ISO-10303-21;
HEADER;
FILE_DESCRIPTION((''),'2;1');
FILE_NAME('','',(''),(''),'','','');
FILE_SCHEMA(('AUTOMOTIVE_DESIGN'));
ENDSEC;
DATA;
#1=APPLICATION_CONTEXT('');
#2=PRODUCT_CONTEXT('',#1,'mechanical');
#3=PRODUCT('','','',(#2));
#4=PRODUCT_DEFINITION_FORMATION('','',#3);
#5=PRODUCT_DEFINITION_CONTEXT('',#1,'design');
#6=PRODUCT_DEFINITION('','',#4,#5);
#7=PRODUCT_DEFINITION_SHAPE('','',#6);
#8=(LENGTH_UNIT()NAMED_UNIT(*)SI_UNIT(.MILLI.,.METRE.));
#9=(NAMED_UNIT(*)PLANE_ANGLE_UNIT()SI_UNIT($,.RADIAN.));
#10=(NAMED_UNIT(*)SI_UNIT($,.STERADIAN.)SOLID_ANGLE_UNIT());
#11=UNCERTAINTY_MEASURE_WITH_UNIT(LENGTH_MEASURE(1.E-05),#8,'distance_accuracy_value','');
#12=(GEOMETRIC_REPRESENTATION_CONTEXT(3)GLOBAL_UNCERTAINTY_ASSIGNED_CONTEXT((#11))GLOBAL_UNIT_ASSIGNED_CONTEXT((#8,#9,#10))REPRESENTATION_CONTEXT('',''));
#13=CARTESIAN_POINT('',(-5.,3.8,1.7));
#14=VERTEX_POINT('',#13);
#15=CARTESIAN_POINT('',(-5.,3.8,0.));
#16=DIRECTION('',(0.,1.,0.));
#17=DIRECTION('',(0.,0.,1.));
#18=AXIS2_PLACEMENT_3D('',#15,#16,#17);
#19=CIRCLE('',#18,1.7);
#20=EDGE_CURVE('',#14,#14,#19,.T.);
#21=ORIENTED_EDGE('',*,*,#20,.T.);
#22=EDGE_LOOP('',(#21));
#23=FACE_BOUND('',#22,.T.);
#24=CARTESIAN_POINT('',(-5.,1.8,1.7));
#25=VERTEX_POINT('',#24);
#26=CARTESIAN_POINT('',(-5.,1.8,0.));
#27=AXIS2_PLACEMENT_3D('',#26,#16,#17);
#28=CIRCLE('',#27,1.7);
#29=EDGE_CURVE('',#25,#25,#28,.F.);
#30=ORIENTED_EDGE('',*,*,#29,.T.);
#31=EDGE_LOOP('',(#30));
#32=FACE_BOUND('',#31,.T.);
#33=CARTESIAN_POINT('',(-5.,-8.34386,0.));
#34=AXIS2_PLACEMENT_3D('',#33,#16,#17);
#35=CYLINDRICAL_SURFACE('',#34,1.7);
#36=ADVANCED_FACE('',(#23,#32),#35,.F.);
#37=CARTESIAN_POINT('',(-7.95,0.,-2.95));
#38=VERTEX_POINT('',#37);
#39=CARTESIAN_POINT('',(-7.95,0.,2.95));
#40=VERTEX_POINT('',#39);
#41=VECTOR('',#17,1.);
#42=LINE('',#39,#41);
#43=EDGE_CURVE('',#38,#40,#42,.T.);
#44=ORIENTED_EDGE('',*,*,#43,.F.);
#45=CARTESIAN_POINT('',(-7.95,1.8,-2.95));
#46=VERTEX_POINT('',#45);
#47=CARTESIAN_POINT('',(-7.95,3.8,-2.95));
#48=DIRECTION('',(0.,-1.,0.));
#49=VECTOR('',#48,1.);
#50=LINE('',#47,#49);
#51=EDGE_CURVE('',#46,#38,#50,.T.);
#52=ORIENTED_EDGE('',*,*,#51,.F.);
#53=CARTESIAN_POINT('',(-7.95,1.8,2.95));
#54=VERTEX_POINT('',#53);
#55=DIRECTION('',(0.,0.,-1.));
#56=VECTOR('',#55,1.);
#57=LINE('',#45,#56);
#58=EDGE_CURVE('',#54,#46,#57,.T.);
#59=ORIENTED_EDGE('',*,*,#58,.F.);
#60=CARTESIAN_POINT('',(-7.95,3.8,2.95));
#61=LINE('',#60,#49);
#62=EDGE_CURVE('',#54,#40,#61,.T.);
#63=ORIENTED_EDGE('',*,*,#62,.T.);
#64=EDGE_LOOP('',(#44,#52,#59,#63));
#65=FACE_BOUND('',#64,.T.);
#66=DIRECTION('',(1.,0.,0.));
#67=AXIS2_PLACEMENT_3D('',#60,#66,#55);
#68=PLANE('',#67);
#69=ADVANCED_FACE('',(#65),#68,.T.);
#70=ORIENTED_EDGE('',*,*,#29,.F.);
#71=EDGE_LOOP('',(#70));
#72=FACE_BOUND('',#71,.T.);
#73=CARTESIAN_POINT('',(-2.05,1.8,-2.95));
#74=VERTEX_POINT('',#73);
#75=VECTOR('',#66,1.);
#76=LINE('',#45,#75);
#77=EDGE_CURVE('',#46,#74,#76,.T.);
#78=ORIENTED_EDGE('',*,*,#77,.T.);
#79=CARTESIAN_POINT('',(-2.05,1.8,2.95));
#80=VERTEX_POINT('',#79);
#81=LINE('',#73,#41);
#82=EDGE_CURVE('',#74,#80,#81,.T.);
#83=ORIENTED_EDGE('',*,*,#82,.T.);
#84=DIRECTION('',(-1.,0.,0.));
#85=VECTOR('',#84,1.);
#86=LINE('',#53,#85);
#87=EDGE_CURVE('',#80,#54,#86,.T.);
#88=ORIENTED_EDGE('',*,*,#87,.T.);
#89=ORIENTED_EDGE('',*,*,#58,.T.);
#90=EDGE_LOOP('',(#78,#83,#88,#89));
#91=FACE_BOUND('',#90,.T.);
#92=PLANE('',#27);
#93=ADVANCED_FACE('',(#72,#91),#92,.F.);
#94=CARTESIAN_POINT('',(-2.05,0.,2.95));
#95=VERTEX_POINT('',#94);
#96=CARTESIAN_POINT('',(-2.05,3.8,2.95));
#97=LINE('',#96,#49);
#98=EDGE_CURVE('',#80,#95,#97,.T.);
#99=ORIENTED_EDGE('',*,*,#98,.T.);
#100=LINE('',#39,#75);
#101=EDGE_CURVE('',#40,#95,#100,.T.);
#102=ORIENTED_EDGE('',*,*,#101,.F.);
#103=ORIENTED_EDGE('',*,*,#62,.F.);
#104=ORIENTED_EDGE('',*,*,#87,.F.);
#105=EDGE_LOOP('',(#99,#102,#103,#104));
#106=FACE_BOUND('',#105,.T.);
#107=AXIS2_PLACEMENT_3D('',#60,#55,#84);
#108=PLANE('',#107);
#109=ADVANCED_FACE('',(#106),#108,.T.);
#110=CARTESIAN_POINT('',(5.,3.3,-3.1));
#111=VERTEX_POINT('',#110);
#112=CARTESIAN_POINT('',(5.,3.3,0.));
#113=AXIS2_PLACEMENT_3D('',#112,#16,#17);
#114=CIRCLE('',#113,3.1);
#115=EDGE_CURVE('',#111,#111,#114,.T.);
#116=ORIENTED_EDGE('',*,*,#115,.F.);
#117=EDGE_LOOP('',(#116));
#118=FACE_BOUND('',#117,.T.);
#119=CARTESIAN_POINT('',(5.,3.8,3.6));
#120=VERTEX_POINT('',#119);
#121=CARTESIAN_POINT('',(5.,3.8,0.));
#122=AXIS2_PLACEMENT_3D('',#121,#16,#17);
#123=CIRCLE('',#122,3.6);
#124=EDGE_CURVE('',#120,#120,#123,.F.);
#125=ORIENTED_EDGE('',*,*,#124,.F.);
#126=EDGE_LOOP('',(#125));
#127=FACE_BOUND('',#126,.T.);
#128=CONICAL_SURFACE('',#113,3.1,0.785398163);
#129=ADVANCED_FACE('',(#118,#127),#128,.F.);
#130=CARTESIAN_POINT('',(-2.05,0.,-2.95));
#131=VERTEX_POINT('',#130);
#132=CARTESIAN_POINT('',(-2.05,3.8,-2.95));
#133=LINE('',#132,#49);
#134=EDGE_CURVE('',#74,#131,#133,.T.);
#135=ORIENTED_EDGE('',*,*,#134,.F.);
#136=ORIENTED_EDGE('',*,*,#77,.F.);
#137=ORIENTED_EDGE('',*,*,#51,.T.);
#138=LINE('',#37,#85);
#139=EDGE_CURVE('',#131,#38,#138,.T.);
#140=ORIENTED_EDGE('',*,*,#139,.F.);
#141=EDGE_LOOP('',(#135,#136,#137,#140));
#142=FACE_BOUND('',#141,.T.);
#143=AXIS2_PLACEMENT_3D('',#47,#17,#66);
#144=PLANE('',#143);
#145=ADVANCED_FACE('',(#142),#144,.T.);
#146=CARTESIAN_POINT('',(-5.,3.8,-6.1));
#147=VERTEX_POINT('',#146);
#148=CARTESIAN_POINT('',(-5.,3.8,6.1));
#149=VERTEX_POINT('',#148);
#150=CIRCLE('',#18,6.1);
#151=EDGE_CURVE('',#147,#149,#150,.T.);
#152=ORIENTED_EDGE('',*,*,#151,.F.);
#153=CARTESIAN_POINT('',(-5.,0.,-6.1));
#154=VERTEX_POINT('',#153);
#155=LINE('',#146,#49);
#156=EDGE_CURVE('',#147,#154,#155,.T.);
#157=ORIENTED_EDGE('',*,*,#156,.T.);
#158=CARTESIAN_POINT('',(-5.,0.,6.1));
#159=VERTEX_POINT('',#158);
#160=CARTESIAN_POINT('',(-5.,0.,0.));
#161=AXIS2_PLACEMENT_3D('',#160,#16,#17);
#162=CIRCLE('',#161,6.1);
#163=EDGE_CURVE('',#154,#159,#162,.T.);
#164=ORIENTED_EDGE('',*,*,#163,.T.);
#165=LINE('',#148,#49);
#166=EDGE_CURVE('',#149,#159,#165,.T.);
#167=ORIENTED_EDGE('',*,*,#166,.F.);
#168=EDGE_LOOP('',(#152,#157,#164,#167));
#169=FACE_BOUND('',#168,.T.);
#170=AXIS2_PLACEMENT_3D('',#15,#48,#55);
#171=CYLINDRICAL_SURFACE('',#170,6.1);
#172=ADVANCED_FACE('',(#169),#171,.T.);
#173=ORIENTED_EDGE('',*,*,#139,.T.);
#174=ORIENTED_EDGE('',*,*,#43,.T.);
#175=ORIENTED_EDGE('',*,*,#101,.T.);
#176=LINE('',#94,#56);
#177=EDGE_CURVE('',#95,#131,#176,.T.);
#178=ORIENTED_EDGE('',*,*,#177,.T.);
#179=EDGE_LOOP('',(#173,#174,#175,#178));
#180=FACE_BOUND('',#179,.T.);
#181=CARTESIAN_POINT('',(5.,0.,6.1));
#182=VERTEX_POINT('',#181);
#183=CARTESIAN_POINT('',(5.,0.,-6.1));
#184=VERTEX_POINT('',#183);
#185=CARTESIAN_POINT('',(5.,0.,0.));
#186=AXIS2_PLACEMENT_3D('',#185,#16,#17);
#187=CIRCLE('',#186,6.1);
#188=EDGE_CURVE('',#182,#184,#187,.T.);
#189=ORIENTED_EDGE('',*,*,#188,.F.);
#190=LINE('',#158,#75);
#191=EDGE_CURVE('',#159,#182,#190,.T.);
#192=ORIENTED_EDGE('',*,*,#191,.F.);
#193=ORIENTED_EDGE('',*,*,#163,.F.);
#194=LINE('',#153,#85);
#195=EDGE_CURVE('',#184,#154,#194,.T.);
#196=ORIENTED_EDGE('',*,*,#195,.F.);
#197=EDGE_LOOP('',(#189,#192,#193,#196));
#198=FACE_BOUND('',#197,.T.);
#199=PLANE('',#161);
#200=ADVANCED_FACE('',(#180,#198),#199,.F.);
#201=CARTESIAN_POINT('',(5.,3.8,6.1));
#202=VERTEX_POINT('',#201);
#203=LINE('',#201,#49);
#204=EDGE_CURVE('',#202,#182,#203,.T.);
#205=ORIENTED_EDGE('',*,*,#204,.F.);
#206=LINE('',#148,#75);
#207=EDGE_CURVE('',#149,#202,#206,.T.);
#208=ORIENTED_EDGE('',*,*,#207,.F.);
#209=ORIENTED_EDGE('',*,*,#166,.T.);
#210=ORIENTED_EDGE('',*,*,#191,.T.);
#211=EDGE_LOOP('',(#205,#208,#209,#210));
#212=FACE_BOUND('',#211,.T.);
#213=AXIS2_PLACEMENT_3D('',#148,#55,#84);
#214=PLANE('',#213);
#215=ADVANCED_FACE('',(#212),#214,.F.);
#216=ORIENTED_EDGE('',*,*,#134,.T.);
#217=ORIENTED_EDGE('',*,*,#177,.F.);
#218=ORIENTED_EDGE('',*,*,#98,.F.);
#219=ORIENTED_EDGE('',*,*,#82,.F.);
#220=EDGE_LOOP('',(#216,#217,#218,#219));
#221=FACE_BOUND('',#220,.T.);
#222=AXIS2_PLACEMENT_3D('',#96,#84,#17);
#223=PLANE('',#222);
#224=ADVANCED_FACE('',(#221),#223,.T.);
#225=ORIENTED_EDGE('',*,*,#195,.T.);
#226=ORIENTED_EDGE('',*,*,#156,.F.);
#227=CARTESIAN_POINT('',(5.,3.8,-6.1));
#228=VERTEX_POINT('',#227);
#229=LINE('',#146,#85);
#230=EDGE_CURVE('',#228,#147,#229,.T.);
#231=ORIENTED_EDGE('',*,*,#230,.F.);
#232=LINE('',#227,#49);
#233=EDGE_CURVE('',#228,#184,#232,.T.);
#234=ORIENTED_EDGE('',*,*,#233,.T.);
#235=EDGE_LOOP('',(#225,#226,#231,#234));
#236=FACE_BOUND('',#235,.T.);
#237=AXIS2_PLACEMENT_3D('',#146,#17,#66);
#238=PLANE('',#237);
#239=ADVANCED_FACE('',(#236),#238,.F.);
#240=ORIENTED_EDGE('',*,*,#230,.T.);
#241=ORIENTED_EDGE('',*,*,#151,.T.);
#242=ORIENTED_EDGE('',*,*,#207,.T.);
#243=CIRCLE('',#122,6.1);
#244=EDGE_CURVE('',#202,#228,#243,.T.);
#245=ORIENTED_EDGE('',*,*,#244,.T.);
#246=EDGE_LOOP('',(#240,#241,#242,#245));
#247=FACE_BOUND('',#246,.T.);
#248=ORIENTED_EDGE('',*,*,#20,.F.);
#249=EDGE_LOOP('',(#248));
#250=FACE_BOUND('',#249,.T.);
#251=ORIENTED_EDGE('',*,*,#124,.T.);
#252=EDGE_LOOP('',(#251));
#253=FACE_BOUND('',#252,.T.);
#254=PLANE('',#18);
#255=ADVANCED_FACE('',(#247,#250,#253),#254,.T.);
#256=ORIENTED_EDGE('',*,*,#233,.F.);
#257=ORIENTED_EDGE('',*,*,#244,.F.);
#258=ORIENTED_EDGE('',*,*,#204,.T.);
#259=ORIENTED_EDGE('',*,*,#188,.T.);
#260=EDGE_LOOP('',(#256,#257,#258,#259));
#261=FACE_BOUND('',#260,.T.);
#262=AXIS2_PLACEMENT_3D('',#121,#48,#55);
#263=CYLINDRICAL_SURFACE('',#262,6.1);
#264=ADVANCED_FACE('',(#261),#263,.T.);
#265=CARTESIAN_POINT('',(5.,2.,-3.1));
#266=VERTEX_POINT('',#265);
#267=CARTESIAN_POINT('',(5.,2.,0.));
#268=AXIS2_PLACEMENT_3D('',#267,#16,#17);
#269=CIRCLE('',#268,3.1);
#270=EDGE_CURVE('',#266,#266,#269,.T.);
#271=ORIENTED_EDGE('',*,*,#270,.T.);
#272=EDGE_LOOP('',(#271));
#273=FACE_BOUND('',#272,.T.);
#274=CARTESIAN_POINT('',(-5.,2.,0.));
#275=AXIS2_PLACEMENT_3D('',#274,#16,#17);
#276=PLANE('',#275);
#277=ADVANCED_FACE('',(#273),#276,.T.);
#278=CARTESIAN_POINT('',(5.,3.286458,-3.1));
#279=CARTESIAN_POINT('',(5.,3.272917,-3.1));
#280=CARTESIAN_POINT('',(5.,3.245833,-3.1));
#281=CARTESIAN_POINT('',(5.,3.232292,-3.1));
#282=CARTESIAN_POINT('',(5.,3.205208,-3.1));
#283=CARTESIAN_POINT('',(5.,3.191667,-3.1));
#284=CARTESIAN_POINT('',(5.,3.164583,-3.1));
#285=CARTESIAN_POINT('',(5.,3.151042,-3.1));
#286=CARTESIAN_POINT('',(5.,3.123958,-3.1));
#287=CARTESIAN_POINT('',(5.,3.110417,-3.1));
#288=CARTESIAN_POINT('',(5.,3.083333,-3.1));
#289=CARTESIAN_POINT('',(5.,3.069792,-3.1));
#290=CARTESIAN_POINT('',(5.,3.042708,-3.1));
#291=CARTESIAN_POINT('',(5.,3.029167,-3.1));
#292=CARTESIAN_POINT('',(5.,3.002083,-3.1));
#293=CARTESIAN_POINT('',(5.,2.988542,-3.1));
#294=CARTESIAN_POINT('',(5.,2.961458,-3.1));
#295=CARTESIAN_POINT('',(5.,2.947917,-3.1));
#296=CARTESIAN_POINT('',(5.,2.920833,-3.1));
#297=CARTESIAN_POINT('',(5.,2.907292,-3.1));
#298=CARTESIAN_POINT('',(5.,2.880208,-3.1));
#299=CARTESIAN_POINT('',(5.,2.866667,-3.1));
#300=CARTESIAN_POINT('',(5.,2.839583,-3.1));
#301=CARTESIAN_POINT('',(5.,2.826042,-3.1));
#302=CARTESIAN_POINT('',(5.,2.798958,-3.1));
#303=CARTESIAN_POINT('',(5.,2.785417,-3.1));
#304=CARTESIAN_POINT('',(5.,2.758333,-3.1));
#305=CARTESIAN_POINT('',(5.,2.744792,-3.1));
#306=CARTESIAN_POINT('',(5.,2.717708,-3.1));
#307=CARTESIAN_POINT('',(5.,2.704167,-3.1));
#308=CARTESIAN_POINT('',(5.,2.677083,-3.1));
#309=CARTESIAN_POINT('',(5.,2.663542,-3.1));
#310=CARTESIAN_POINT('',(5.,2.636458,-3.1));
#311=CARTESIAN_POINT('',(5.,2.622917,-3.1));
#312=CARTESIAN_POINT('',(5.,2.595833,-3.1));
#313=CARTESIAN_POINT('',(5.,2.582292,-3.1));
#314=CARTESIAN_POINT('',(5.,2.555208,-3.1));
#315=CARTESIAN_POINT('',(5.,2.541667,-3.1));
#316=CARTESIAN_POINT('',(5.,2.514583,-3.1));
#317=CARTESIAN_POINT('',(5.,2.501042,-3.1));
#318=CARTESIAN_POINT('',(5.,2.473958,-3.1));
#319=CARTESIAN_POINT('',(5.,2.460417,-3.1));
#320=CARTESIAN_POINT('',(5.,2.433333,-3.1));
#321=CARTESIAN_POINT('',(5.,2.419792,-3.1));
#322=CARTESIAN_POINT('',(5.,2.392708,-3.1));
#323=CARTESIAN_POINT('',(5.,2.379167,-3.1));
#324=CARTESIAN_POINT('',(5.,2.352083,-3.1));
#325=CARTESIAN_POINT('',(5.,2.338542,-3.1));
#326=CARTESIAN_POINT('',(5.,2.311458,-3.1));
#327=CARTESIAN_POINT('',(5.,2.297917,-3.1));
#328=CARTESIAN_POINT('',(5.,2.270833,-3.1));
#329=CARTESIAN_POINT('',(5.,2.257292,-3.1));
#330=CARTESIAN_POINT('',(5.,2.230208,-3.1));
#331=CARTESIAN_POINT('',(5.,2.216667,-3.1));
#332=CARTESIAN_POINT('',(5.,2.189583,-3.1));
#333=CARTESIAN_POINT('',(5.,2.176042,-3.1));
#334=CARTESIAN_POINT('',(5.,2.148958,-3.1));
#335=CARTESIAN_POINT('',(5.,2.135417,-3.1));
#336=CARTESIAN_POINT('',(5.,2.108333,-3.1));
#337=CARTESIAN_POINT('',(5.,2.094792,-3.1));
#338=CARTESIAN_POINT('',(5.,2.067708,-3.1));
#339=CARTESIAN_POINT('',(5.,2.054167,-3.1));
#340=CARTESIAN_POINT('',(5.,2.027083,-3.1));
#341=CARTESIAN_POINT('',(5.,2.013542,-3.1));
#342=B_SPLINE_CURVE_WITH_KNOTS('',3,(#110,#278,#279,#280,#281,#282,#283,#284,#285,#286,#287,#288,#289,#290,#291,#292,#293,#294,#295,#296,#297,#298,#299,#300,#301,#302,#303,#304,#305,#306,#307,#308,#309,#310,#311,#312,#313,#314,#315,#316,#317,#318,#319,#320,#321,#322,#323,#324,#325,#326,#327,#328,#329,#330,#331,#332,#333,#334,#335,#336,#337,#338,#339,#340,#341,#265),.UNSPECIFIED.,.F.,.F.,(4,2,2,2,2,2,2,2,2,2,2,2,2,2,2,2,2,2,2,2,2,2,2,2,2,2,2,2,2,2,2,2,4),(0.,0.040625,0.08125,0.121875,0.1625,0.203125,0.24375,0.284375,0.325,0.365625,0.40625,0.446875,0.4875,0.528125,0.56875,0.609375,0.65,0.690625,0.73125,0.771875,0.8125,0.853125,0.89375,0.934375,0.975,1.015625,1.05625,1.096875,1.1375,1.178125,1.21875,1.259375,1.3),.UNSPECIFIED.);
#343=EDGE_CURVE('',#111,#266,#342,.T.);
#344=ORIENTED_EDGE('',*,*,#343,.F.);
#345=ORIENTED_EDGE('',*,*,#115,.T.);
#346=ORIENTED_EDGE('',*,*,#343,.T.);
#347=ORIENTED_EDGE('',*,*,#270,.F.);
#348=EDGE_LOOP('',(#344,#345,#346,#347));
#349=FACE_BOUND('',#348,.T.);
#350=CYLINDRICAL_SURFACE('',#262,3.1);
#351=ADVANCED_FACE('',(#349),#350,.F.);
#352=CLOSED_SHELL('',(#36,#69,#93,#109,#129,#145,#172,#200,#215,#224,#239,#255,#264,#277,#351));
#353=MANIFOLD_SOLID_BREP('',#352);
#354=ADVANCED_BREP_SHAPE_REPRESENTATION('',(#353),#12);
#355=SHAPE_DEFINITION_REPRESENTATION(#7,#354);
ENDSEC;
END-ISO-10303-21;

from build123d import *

# Parameters (mm, degrees)
SKETCH1_R           = 3.1
SKETCH1_W           = 5.9
SKETCH1_H           = 5.9
BOSS_EXTRUDE1_DEPTH = 3.8
SKETCH2_W           = 5.9
SKETCH2_H           = 5.9
SKETCH2_R           = 1.7
BOSS_EXTRUDE2_DEPTH = 2
SKETCH3_R           = 3.1
BOSS_EXTRUDE3_DEPTH = 2
CHAMFER1_SIZE       = 0.5


with BuildPart() as part:
    # Sketch1 → Boss-Extrude1 (new body)
    with BuildSketch(Plane(origin=(0, 0, 0), x_dir=(1, 0, 0), z_dir=(0, 1, 0))):
        with BuildLine():
            Line((-5, 6.1), (5, 6.1))
            ThreePointArc((5, 6.1), (11.1, 0), (5, -6.1))
            Line((5, -6.1), (-5, -6.1))
            ThreePointArc((-5, -6.1), (-11.1, 0), (-5, 6.1))
        make_face()
        with Locations(Location((5, 0, 0), (0, 0, 90))):
            Circle(SKETCH1_R, mode=Mode.SUBTRACT)
        with Locations((-5, 0)):
            Rectangle(SKETCH1_W, SKETCH1_H, mode=Mode.SUBTRACT)
    extrude(amount=BOSS_EXTRUDE1_DEPTH)

    # Sketch2 → Boss-Extrude2 (add)
    with BuildSketch(Plane(origin=(0, 3.8, 0), x_dir=(1, 0, 0), z_dir=(0, 1, 0))):
        with Locations((-5, 0)):
            Rectangle(SKETCH2_W, SKETCH2_H)
        with Locations(Location((-5, 0, 0), (0, 0, 270))):
            Circle(SKETCH2_R, mode=Mode.SUBTRACT)
    extrude(amount=-BOSS_EXTRUDE2_DEPTH)

    # Sketch3 → Boss-Extrude3 (add)
    with BuildSketch(Plane.XZ):
        with Locations(Location((5, 0, 0), (0, 0, 270))):
            Circle(SKETCH3_R)
    extrude(amount=-BOSS_EXTRUDE3_DEPTH)

    # Chamfer1
    chamfer1_edges = [part.edges().sort_by_distance(p)[0] for p in [
        (5, 3.8, 3.1),
    ]]
    chamfer(chamfer1_edges, length=CHAMFER1_SIZE)


solid = part.part
